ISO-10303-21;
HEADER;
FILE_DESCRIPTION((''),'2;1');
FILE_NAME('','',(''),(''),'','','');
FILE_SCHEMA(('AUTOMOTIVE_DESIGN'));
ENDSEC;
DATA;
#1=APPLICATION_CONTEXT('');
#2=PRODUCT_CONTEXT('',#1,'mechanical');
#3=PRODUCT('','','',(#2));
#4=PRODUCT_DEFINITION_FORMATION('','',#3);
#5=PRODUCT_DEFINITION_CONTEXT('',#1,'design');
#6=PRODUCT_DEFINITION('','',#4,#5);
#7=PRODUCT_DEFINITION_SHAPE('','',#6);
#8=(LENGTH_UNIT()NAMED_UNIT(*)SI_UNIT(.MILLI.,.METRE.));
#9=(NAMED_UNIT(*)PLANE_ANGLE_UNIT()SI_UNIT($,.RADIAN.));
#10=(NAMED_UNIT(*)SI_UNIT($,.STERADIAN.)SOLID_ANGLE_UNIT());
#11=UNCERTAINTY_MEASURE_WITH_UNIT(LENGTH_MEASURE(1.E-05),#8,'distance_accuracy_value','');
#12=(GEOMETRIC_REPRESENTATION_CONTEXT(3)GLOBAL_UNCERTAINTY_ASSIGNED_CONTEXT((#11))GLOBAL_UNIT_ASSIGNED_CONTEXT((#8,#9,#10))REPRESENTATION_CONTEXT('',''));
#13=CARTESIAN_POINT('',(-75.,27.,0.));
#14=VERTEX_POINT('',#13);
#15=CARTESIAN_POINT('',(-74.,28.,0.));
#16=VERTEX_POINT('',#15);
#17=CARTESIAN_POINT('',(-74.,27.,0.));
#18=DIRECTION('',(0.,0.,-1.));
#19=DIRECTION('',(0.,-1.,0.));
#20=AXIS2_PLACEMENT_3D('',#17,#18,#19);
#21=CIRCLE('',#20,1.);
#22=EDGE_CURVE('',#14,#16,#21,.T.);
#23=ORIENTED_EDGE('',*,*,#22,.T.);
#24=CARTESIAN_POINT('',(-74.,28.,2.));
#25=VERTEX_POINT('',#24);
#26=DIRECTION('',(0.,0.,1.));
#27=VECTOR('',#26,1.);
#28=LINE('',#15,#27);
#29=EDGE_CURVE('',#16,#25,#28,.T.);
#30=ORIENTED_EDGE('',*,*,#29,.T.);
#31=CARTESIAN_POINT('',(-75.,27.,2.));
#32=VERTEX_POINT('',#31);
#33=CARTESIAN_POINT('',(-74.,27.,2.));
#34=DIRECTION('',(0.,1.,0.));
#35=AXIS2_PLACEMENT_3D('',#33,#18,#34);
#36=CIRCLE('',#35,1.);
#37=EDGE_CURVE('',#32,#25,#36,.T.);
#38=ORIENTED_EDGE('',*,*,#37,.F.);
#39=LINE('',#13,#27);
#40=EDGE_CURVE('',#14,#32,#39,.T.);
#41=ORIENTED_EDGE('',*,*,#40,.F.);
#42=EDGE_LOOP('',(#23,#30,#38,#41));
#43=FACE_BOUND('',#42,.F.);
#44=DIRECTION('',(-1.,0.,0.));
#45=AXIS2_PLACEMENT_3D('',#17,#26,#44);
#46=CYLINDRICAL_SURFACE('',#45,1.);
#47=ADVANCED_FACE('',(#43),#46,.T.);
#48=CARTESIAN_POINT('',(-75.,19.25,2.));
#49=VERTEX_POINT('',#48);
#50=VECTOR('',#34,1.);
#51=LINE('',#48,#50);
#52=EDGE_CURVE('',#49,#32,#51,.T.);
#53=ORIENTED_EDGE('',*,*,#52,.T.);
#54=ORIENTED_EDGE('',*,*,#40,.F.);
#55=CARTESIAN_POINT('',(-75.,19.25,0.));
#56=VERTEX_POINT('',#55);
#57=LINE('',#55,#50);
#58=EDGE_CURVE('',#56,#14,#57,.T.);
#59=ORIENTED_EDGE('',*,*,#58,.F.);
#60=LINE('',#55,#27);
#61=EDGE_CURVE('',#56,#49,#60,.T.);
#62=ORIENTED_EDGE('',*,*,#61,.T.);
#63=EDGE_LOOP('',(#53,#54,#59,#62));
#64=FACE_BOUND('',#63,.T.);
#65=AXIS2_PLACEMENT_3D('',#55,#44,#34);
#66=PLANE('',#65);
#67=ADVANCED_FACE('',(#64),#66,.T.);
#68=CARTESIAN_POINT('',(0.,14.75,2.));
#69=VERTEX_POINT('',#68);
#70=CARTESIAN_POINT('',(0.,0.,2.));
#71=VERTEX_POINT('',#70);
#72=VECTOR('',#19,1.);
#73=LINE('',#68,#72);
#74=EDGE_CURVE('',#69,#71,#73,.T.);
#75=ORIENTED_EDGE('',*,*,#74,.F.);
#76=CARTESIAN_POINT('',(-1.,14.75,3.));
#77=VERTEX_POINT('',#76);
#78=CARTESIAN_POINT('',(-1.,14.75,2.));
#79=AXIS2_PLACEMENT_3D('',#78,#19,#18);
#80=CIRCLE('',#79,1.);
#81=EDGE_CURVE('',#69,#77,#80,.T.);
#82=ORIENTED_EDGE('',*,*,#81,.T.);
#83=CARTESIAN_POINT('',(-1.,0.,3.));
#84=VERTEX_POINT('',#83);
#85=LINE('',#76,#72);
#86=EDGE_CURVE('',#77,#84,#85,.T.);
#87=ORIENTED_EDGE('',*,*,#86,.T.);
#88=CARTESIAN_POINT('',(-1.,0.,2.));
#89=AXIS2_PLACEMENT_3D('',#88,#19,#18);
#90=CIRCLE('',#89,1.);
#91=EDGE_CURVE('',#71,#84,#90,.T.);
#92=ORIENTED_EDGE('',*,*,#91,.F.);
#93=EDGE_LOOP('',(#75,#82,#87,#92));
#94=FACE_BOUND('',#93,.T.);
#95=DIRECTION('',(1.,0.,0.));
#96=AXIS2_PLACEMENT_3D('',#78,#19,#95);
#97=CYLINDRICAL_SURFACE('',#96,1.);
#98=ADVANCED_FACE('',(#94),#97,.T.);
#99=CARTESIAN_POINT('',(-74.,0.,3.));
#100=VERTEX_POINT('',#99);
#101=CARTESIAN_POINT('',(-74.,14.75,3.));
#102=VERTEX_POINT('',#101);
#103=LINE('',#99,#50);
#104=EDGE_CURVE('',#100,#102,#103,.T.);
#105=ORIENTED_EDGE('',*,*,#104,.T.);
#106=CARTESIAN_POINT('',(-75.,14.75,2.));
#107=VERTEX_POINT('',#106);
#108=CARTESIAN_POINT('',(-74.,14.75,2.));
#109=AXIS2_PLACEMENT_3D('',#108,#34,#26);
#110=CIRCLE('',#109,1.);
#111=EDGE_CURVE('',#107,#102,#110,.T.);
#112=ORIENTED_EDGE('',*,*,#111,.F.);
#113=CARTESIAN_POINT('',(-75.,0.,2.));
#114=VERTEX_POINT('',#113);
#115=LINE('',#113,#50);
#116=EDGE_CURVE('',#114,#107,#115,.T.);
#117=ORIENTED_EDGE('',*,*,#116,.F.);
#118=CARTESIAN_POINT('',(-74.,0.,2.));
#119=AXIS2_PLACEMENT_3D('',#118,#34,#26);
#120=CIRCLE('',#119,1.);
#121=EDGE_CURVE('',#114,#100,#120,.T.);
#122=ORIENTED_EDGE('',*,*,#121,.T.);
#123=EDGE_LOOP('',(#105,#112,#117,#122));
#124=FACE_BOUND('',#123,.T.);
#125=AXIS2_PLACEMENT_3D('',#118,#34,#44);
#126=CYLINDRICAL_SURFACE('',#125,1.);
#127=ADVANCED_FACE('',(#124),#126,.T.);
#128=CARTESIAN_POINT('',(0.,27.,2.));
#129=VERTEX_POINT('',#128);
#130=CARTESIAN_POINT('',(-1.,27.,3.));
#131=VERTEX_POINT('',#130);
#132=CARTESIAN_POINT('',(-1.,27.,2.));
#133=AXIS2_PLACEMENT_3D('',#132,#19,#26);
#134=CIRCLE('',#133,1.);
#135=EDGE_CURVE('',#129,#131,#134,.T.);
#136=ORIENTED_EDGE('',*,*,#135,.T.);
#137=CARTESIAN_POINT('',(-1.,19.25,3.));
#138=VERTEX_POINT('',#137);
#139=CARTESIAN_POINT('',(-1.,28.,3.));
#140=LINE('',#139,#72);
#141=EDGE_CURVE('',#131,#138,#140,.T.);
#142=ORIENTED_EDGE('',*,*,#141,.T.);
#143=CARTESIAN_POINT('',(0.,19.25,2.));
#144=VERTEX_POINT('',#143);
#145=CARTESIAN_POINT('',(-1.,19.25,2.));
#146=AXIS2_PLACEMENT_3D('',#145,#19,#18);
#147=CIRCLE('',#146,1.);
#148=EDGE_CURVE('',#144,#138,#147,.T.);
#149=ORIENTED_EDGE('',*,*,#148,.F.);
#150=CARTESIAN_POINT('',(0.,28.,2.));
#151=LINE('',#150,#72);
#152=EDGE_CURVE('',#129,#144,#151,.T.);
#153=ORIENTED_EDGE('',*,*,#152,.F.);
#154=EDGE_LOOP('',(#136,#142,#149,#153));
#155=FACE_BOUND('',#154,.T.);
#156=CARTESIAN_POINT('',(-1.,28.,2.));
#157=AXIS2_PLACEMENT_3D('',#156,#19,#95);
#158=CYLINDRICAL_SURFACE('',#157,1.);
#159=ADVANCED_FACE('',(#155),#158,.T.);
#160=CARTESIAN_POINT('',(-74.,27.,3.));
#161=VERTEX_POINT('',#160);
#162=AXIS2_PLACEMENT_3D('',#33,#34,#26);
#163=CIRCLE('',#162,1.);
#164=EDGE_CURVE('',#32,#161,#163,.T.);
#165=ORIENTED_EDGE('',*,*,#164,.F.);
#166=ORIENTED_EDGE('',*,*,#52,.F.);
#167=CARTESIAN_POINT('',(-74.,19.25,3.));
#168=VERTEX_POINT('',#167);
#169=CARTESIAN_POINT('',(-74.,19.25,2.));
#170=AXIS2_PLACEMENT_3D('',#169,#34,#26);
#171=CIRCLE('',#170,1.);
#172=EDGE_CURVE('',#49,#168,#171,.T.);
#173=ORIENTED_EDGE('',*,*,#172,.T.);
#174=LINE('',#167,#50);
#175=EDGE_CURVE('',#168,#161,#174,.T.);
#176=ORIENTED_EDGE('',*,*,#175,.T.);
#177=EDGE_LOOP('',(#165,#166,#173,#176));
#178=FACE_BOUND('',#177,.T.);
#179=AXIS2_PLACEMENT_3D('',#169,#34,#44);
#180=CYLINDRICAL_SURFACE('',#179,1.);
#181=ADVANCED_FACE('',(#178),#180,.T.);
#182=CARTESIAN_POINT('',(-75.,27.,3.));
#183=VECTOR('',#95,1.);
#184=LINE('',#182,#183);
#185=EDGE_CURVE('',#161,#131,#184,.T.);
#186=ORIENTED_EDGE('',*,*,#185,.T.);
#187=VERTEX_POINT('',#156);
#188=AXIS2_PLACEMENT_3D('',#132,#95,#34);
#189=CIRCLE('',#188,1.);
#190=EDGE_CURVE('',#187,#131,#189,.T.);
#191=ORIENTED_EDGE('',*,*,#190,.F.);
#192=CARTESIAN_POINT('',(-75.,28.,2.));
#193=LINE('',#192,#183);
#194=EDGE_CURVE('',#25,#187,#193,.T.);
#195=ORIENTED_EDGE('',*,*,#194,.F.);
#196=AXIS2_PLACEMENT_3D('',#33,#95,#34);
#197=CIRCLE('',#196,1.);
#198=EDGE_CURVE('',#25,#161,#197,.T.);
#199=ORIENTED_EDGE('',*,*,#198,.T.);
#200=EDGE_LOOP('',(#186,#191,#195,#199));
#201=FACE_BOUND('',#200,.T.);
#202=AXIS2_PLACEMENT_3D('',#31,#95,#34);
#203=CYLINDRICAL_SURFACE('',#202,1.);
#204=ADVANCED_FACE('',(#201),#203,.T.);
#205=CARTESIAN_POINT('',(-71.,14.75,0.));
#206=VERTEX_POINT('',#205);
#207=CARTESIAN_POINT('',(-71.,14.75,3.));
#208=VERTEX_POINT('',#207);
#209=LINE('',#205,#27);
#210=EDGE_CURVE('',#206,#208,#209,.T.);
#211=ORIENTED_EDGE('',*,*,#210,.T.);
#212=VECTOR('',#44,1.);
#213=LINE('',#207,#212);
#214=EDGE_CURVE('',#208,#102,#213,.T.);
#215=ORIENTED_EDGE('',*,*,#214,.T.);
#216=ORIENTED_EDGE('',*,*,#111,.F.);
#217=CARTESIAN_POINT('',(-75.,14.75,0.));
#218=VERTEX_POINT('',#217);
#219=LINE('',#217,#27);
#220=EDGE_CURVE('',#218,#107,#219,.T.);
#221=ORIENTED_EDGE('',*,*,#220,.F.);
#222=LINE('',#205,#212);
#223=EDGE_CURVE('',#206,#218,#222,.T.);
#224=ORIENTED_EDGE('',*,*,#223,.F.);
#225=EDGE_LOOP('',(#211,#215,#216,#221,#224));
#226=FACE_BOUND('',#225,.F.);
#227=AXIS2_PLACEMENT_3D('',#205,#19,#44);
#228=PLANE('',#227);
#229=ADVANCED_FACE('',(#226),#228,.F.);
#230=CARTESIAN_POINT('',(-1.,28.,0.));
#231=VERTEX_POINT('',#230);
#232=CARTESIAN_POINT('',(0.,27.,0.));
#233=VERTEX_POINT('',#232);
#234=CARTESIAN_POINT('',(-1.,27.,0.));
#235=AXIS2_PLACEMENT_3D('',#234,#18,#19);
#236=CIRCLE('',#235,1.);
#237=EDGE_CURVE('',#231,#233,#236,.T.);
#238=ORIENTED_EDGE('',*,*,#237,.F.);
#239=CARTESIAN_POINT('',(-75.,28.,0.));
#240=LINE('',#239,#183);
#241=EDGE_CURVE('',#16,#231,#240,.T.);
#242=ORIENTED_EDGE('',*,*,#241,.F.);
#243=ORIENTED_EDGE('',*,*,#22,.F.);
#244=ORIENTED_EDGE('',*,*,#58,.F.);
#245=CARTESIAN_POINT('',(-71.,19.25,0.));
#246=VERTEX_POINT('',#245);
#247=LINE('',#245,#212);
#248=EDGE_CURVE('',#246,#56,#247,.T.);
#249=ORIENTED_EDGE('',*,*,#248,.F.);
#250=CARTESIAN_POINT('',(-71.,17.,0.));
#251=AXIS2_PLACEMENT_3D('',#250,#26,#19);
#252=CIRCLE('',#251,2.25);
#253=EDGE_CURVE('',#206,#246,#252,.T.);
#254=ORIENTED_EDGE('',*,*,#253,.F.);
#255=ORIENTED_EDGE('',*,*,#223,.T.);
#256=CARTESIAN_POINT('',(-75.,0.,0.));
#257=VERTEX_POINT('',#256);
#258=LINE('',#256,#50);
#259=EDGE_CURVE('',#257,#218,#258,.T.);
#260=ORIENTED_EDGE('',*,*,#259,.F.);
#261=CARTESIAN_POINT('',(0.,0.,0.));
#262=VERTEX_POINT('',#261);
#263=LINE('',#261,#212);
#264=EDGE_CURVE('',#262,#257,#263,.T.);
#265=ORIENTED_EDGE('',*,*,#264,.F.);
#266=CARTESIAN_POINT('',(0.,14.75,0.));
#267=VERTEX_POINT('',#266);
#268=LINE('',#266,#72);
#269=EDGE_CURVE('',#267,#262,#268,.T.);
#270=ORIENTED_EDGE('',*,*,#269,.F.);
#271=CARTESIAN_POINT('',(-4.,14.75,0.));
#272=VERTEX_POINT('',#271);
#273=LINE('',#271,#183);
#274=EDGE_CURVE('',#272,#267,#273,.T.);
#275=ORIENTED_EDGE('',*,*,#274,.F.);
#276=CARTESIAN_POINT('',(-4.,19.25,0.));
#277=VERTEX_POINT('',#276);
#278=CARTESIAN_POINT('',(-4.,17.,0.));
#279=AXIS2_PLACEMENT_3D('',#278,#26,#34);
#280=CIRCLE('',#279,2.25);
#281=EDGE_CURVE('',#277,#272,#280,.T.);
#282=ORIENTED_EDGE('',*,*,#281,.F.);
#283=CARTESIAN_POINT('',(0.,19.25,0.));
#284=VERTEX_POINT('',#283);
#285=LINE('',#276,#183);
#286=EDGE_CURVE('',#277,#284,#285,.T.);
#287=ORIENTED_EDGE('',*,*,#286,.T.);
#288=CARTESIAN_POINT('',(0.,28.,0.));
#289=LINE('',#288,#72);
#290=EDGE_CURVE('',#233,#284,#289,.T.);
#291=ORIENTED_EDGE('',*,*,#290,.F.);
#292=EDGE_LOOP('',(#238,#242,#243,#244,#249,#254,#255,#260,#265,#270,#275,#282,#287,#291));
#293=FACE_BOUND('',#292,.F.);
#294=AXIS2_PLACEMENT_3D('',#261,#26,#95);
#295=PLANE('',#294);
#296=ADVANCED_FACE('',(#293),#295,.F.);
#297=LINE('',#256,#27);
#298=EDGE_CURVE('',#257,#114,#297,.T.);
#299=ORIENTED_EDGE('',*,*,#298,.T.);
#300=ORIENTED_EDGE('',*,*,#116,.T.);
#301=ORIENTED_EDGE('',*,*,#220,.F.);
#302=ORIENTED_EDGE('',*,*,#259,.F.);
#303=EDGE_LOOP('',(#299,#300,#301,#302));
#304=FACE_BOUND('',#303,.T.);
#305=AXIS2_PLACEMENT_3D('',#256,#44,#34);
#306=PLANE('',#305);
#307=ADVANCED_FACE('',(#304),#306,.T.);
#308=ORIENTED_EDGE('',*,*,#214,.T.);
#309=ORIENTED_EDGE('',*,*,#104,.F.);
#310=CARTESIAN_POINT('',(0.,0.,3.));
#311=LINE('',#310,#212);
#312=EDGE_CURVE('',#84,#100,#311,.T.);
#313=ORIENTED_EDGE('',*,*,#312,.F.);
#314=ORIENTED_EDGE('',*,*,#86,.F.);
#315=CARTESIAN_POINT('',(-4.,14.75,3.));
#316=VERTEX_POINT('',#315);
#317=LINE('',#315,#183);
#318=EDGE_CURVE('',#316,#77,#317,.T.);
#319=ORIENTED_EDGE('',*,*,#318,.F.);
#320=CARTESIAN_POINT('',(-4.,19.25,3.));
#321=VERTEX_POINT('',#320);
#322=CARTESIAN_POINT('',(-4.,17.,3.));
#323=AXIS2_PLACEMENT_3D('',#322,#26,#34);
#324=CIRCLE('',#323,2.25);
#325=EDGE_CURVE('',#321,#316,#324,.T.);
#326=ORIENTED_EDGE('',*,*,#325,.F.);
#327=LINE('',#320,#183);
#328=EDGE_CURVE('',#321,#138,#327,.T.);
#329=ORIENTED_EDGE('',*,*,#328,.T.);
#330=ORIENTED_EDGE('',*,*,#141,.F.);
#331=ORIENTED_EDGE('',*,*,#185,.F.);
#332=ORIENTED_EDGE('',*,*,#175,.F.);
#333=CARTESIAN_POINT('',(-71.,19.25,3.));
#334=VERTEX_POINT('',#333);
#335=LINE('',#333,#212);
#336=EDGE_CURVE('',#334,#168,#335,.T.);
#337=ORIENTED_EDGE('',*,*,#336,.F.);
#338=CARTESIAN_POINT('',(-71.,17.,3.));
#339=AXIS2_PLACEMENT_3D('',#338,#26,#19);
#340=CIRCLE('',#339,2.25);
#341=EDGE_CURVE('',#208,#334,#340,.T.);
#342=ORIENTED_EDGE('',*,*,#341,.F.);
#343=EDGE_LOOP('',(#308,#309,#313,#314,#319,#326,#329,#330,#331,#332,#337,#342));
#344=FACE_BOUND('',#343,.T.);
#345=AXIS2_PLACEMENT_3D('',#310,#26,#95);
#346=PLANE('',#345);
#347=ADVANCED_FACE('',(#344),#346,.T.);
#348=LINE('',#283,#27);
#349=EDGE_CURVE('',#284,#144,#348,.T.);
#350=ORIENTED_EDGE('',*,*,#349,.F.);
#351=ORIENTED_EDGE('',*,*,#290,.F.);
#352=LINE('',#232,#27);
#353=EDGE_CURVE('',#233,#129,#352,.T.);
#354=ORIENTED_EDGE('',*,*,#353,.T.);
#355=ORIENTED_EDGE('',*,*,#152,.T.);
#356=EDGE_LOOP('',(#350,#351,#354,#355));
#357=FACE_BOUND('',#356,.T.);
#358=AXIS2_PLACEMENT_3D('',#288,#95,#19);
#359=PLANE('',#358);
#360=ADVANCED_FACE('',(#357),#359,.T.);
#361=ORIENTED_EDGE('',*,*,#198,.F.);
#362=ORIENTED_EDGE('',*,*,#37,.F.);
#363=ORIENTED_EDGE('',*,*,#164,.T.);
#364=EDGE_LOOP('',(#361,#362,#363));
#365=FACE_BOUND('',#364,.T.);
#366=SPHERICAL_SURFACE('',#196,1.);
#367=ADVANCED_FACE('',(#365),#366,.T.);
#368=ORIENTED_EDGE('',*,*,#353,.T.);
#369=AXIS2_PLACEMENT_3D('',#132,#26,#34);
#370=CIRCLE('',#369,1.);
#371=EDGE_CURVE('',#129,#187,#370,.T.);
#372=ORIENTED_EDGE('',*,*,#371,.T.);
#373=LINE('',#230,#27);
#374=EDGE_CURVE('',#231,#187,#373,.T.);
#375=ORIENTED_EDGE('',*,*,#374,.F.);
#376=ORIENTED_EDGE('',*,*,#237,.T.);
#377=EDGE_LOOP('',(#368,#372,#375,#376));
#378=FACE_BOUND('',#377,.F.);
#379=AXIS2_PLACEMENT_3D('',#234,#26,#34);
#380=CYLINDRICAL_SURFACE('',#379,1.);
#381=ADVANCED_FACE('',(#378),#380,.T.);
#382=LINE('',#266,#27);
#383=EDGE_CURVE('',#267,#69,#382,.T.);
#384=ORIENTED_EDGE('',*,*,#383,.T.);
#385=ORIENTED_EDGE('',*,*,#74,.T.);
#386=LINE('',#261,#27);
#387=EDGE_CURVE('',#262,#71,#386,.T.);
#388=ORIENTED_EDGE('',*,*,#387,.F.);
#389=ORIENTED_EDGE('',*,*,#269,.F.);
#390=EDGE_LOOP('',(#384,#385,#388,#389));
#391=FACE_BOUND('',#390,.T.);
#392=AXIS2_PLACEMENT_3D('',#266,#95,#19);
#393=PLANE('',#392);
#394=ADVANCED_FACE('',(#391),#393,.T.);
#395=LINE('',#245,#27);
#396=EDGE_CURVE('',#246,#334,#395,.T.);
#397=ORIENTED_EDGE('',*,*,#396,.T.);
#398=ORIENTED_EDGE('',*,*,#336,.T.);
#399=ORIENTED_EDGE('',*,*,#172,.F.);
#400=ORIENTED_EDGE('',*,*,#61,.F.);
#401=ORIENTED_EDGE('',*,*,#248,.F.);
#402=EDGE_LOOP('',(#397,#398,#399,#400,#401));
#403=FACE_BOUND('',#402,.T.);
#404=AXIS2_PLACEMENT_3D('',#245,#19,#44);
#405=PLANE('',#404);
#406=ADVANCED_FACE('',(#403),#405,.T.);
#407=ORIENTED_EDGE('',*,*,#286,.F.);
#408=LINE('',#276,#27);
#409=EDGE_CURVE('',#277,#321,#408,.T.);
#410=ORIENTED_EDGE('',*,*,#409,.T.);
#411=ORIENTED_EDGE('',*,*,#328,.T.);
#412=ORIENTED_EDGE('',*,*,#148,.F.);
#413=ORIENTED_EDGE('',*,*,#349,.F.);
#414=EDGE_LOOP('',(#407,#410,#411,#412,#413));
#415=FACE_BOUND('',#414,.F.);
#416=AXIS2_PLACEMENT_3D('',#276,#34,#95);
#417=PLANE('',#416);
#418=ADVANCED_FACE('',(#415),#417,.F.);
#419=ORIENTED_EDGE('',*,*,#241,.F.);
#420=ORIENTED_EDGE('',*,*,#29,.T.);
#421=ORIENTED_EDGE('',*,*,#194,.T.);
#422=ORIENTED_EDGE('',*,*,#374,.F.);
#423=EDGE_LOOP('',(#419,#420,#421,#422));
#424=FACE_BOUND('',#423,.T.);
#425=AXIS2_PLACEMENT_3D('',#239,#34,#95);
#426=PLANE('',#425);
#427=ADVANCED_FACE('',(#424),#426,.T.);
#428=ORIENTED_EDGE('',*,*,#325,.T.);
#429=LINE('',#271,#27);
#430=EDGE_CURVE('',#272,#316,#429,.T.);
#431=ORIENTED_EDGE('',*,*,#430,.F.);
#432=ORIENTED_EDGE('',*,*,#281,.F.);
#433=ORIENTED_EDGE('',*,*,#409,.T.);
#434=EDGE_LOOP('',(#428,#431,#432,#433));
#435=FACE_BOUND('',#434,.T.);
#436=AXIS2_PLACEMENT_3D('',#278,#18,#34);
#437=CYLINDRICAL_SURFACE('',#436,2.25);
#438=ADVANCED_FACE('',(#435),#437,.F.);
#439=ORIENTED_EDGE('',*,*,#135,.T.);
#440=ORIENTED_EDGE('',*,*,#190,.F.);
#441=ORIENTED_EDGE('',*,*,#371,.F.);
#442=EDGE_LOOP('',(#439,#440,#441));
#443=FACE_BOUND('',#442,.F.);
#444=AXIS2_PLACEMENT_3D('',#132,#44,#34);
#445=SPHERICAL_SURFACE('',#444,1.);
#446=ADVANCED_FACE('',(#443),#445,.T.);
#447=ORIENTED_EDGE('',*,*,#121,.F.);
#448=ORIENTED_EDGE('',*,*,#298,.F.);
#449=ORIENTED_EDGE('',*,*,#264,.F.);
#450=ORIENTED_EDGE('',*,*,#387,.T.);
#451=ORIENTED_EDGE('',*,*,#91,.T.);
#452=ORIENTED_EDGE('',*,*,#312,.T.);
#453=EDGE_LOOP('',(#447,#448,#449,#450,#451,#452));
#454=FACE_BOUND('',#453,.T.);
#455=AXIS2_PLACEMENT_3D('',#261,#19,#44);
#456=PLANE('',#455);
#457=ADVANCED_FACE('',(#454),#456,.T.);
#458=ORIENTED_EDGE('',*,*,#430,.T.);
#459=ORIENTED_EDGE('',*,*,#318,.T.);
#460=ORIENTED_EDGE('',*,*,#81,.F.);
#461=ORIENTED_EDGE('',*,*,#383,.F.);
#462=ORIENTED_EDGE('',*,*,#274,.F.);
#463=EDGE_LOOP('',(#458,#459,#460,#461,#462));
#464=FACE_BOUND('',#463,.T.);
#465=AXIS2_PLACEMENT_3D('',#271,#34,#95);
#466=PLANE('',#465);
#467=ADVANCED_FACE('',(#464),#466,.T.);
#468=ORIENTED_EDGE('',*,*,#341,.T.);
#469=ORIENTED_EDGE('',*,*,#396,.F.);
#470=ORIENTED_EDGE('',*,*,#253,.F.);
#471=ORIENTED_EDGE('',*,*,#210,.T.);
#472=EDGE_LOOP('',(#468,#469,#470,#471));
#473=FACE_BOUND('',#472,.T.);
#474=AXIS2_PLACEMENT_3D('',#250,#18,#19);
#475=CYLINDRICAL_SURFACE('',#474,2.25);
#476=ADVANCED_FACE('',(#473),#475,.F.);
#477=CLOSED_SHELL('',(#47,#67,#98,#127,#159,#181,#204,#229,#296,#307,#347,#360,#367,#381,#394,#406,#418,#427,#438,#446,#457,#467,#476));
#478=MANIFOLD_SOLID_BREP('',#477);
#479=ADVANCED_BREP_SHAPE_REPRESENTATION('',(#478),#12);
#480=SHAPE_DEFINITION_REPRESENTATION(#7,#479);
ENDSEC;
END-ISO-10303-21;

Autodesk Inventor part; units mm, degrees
ref_plane "YZ Plane" through (0, 0, 0) normal (1, 0, 0) x (0, 1, 0)
ref_plane "XZ Plane" through (0, 0, 0) normal (0, 1, 0) x (-1, 0, 0)
ref_plane "XY Plane" through (0, 0, 0) normal (0, 0, 1) x (1, 0, 0)
sketch "Sketch1" plane through (0, 0, 0) normal (0, 0, 1) x (1, 0, 0)
  line L0 (0, 0) -> (-75, 0)
  line L1 (-75, 28) -> (0, 28)
  line L2 (0, 28) -> (0, 19.25) construction
  line L3 (0, 17) -> (-75, 17) construction
  line L4 (0, 17) -> (-4, 17) construction
  arc A0 (-4, 19.25) -> (-4, 14.75) centre (-4, 17) ccw
  line L5 (-4, 19.25) -> (0, 19.25)
  line L6 (-4, 14.75) -> (0, 14.75)
  line L7 (0, 28) -> (0, 19.25)
  line L8 (0, 14.75) -> (0, 0)
  line L9 (-37.5, 28) -> (-37.5, 0) construction
  arc A1 (-71, 14.75) -> (-71, 19.25) centre (-71, 17) ccw
  line L10 (-71, 19.25) -> (-75, 19.25)
  line L11 (-71, 14.75) -> (-75, 14.75)
  line L12 (-75, 0) -> (-75, 14.75)
  line L13 (-75, 19.25) -> (-75, 28)
  dimension "d0" = 75
  dimension "d1" = 28
  dimension "d2" = 11
  dimension "d3" = 4
  dimension "d4" = 4.5
extrude "Extrusion1" add sketch "Sketch1" along normal blind 3
fillet "Fillet1" radius 1 7 edges at (-37.5, 28, 3) (0, 28, 1.5) (-75, 28, 1.5) (0, 23.625, 3) (0, 7.375, 3) (-75, 23.625, 3) (-75, 7.375, 3)
properties part number "MirrorControllerModel" material "Iron, Cast"
